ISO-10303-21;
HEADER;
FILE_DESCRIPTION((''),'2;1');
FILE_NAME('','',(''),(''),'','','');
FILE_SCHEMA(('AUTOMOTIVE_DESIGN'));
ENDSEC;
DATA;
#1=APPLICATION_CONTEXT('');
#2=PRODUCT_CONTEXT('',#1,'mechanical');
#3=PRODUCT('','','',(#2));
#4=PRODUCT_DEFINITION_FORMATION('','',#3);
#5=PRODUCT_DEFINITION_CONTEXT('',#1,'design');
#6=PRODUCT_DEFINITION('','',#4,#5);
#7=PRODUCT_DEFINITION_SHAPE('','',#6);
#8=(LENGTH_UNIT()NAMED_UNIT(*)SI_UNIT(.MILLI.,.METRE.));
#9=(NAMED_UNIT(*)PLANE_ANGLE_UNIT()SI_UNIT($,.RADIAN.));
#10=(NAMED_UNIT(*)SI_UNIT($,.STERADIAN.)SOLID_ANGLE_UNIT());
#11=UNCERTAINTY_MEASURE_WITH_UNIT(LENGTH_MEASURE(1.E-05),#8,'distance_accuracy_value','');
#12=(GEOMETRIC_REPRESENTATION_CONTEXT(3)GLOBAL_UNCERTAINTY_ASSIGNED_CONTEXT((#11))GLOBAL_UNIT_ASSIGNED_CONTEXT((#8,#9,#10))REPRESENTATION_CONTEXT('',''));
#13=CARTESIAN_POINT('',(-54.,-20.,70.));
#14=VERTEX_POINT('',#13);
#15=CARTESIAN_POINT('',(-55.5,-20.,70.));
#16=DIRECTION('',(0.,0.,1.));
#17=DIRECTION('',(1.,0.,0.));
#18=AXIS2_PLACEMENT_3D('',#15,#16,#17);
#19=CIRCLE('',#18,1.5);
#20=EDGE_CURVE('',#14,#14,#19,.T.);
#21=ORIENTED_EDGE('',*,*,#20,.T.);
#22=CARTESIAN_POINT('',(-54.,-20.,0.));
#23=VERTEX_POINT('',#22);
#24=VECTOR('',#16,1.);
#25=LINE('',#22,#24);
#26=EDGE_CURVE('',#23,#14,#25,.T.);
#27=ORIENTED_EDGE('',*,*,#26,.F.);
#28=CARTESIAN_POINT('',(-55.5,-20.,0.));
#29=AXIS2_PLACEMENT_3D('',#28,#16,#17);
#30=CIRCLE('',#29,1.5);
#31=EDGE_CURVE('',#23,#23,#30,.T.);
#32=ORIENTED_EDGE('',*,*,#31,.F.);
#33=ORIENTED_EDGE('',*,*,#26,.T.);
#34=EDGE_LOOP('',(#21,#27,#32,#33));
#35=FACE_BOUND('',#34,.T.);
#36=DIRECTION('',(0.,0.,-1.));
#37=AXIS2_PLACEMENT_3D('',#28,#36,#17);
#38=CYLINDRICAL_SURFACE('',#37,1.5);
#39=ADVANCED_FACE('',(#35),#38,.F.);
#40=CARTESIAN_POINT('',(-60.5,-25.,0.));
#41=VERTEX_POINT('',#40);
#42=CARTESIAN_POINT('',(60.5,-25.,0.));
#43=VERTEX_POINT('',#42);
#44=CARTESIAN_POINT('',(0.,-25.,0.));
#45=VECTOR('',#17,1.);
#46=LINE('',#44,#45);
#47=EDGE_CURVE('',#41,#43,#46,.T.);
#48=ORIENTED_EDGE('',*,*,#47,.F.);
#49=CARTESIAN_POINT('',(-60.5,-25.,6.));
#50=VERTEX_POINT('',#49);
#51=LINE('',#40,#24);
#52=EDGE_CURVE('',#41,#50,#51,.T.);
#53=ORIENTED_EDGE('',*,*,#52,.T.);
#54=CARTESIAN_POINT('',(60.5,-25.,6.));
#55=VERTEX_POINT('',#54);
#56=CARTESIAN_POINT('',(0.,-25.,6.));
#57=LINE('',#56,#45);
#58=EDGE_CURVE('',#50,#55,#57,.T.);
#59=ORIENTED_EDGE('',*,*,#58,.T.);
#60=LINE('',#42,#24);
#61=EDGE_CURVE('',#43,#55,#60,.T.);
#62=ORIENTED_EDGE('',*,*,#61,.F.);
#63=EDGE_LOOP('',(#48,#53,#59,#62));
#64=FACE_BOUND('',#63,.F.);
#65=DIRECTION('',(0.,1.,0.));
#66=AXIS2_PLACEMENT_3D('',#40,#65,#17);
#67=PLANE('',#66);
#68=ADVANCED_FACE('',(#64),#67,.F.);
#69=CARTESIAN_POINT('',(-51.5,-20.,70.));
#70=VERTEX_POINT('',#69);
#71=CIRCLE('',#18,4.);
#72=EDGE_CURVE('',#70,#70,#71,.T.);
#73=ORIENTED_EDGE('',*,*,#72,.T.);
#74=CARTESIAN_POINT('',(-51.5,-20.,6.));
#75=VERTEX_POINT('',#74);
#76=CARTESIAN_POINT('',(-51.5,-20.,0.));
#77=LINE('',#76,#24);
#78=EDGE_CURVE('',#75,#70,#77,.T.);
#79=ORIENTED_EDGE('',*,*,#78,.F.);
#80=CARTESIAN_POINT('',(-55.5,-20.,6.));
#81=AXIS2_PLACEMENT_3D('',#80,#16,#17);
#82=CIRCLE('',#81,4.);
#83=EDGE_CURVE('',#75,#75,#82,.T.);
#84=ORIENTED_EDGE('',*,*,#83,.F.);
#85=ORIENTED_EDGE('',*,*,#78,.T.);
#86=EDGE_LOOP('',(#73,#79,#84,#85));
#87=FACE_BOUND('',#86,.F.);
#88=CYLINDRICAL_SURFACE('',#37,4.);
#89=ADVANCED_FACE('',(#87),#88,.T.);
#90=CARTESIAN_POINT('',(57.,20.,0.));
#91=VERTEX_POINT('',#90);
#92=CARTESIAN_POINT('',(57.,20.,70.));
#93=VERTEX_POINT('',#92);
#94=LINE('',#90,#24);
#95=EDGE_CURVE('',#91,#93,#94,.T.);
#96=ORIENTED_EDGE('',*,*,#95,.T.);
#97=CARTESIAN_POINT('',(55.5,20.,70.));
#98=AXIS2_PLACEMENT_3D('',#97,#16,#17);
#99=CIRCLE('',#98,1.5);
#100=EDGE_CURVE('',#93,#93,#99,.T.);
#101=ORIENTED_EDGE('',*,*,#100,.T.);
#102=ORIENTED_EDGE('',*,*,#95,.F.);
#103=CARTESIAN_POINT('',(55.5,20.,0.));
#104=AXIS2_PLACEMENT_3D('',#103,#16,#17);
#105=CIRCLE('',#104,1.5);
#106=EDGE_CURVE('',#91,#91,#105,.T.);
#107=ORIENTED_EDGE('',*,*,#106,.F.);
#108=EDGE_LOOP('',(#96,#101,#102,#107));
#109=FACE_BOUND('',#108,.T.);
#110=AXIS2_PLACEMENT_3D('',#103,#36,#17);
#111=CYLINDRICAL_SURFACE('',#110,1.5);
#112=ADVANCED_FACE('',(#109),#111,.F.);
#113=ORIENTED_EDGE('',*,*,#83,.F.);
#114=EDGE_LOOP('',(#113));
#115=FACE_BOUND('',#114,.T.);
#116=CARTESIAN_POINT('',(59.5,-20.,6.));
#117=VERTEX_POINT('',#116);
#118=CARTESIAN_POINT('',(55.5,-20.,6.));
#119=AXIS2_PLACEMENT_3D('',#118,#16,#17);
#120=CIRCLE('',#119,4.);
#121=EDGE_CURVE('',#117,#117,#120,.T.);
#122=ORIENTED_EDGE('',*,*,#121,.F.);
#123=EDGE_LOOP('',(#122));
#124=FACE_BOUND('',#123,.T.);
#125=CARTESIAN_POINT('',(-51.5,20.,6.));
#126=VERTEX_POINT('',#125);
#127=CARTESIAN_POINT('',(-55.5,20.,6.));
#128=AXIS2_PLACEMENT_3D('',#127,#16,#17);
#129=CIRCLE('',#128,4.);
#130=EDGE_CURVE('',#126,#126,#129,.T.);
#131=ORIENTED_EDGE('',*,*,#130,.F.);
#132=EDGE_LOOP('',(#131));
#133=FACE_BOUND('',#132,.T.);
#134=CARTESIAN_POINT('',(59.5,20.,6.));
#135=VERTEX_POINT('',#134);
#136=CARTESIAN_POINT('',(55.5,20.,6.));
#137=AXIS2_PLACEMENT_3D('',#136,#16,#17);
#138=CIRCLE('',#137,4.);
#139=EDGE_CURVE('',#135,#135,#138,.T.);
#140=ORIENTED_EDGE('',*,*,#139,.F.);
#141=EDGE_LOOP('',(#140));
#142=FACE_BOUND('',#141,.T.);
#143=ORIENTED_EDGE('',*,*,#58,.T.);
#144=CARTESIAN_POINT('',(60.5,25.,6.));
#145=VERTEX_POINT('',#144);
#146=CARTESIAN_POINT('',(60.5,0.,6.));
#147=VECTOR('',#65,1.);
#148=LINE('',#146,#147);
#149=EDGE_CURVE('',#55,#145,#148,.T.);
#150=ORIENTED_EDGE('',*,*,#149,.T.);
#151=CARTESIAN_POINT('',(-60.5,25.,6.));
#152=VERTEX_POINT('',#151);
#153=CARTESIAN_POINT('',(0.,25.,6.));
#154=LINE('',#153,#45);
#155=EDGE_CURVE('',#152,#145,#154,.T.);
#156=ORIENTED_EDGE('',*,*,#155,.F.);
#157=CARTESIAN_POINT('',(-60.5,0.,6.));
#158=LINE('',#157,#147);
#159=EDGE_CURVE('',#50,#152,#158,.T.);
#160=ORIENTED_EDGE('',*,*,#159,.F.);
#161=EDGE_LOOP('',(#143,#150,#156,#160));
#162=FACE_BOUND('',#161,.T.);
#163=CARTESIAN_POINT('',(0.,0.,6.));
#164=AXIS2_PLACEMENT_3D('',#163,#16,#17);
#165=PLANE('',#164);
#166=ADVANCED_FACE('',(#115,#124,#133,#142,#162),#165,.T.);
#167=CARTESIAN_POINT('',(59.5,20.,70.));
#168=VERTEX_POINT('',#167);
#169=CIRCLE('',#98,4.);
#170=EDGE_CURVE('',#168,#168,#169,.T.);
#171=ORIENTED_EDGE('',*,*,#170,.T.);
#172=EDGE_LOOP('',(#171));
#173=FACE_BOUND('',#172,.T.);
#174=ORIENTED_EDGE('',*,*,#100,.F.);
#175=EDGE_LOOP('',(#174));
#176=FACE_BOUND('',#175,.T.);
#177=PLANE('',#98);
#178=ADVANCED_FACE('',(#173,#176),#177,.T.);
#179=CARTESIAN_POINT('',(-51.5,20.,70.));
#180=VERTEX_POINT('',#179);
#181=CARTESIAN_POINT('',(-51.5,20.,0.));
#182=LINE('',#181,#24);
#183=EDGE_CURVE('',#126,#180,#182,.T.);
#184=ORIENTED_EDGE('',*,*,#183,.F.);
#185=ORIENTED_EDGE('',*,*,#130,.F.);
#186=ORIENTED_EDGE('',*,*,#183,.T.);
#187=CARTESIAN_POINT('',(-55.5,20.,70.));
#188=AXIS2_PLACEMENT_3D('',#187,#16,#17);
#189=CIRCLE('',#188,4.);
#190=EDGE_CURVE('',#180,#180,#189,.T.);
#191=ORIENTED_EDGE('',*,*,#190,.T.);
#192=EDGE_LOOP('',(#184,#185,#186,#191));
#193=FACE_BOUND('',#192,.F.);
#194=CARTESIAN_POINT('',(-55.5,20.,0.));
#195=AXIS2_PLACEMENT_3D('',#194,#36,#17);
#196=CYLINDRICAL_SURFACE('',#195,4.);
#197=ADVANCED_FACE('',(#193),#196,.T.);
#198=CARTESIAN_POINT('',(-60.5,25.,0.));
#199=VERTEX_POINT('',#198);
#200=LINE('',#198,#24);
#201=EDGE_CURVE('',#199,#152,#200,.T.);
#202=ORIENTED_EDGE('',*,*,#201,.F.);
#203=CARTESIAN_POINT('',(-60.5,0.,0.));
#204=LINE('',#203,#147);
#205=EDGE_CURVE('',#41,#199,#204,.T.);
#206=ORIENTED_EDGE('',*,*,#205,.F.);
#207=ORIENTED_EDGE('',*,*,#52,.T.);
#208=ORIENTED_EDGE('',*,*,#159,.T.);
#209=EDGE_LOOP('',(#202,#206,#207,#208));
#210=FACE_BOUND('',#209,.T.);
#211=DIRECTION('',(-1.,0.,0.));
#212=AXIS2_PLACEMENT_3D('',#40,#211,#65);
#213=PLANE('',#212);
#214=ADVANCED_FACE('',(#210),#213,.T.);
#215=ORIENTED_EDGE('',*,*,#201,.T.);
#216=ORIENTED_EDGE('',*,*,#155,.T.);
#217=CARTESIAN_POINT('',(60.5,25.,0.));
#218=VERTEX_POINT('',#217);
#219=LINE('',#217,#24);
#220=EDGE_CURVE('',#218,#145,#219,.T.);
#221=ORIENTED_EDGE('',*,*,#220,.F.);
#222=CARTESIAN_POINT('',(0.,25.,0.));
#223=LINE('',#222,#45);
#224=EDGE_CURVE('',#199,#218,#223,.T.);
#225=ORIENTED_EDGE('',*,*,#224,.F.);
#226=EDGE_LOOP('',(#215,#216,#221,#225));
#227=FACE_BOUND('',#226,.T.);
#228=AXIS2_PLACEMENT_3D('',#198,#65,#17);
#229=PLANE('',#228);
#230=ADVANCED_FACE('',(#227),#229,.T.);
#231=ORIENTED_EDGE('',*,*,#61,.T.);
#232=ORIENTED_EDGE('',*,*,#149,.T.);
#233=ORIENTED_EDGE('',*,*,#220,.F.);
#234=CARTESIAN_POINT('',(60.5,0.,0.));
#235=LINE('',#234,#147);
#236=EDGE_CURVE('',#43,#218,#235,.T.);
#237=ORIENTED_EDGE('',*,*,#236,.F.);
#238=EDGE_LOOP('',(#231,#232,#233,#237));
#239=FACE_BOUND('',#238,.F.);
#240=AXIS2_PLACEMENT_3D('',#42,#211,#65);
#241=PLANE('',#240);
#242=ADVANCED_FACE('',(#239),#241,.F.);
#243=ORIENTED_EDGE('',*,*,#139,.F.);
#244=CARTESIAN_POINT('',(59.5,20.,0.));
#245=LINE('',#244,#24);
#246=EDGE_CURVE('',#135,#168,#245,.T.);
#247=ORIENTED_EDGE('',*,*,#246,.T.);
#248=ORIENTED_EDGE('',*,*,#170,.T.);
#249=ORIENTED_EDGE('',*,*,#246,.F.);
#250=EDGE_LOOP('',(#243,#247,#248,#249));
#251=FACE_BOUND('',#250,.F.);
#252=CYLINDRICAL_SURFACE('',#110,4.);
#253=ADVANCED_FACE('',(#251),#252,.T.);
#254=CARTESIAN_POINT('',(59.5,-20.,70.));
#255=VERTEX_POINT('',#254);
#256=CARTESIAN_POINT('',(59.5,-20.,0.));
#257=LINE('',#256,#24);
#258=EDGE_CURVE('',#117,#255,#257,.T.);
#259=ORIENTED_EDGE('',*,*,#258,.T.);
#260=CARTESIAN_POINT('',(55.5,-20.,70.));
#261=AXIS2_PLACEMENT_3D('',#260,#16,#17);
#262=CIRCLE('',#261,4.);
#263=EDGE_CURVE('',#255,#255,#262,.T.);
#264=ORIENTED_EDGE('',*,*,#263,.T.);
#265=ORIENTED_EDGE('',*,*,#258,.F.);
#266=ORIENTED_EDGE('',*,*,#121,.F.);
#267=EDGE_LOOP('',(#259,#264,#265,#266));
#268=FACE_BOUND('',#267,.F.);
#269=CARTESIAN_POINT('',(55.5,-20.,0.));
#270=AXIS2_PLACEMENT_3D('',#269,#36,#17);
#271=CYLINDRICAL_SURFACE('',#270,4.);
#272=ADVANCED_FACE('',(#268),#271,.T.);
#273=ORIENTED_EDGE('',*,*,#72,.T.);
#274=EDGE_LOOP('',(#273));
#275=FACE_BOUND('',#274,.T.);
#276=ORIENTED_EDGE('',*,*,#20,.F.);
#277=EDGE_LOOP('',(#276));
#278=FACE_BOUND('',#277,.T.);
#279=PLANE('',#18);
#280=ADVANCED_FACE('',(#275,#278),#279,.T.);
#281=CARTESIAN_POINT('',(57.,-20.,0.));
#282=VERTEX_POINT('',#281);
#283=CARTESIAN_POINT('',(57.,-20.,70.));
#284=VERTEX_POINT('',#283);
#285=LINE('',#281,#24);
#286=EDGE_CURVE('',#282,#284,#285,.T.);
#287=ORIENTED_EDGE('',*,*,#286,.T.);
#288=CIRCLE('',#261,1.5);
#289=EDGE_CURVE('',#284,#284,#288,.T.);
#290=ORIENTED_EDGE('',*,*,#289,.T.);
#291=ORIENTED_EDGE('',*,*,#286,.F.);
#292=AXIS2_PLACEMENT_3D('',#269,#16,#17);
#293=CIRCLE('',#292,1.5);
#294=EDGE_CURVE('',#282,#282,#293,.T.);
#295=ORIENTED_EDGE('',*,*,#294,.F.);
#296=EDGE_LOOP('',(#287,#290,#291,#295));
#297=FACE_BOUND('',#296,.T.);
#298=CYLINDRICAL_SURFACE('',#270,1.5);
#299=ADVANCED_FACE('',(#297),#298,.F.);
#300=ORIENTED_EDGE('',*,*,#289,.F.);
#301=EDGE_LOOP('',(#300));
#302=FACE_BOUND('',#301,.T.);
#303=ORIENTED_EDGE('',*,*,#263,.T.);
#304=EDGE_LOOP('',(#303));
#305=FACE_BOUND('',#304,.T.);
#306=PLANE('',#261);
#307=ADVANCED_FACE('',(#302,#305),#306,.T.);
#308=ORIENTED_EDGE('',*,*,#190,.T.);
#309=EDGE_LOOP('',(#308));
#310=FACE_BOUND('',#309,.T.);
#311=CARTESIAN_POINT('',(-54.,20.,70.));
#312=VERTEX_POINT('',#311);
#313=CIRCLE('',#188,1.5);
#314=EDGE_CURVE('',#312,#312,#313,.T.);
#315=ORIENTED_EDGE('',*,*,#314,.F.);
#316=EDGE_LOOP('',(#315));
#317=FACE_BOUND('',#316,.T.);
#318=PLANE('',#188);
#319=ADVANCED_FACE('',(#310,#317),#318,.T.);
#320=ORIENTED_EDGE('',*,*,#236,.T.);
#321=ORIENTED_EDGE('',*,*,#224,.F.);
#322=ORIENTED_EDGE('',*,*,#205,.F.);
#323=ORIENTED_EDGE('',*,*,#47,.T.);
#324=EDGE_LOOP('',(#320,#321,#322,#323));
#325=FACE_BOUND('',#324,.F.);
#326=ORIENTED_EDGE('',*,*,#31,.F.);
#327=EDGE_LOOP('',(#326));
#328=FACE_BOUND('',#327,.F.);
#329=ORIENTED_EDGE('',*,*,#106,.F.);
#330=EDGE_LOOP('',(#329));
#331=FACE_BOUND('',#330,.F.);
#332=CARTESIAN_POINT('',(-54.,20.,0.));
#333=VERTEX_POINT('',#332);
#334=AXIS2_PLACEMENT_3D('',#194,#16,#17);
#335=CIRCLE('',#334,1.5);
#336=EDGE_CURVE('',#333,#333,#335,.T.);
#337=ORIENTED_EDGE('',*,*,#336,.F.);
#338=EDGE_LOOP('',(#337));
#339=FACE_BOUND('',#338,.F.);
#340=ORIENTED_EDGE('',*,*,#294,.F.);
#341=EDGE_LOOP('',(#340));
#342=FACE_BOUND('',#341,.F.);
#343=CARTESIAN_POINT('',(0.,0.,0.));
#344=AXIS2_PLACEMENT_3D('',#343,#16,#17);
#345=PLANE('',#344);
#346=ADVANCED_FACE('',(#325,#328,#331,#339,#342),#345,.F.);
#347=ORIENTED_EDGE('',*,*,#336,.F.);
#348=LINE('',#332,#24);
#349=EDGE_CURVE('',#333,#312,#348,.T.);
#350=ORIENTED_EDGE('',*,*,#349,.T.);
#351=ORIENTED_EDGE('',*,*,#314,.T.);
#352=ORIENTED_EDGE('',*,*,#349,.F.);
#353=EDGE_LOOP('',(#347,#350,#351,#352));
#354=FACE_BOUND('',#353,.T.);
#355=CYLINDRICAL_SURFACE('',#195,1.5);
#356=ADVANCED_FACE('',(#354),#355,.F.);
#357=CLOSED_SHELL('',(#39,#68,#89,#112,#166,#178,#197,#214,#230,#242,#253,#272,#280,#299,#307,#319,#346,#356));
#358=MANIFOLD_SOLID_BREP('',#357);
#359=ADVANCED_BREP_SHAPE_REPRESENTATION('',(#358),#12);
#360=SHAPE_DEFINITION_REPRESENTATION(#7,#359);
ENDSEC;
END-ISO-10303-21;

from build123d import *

# Parameters (mm, degrees)
F0_W     = 121
F0_H     = 50
F0_R     = 4
F0_W_2   = 101
F0_H_2   = 30
F1_DEPTH = 6
F0_R_2   = 1.5
F2_DEPTH = 70


with BuildPart() as f1:
    # F0 (on Top) → F1 (new body)
    with BuildSketch(Plane.XY):
        Rectangle(F0_W, F0_H)
        with Locations((-55.5, -20)):
            Circle(F0_R, mode=Mode.SUBTRACT)
        with Locations((55.5, -20)):
            Circle(F0_R, mode=Mode.SUBTRACT)
        with Locations((-55.5, 20)):
            Circle(F0_R, mode=Mode.SUBTRACT)
        Rectangle(F0_W_2, F0_H_2, mode=Mode.SUBTRACT)
        with Locations((55.5, 20)):
            Circle(F0_R, mode=Mode.SUBTRACT)
        Rectangle(F0_W_2, F0_H_2)
    extrude(amount=F1_DEPTH)

    # F0 (on Top) → F2 (join)
    with BuildSketch(Plane.XY):
        with Locations((-55.5, 20)):
            Circle(F0_R)
        with Locations((-55.5, 20)):
            Circle(F0_R_2, mode=Mode.SUBTRACT)
        with Locations((55.5, 20)):
            Circle(F0_R)
        with Locations((55.5, 20)):
            Circle(F0_R_2, mode=Mode.SUBTRACT)
        with Locations((55.5, -20)):
            Circle(F0_R)
        with Locations((55.5, -20)):
            Circle(F0_R_2, mode=Mode.SUBTRACT)
        with Locations((-55.5, -20)):
            Circle(F0_R)
        with Locations((-55.5, -20)):
            Circle(F0_R_2, mode=Mode.SUBTRACT)
    extrude(amount=F2_DEPTH)


solid = f1.part
